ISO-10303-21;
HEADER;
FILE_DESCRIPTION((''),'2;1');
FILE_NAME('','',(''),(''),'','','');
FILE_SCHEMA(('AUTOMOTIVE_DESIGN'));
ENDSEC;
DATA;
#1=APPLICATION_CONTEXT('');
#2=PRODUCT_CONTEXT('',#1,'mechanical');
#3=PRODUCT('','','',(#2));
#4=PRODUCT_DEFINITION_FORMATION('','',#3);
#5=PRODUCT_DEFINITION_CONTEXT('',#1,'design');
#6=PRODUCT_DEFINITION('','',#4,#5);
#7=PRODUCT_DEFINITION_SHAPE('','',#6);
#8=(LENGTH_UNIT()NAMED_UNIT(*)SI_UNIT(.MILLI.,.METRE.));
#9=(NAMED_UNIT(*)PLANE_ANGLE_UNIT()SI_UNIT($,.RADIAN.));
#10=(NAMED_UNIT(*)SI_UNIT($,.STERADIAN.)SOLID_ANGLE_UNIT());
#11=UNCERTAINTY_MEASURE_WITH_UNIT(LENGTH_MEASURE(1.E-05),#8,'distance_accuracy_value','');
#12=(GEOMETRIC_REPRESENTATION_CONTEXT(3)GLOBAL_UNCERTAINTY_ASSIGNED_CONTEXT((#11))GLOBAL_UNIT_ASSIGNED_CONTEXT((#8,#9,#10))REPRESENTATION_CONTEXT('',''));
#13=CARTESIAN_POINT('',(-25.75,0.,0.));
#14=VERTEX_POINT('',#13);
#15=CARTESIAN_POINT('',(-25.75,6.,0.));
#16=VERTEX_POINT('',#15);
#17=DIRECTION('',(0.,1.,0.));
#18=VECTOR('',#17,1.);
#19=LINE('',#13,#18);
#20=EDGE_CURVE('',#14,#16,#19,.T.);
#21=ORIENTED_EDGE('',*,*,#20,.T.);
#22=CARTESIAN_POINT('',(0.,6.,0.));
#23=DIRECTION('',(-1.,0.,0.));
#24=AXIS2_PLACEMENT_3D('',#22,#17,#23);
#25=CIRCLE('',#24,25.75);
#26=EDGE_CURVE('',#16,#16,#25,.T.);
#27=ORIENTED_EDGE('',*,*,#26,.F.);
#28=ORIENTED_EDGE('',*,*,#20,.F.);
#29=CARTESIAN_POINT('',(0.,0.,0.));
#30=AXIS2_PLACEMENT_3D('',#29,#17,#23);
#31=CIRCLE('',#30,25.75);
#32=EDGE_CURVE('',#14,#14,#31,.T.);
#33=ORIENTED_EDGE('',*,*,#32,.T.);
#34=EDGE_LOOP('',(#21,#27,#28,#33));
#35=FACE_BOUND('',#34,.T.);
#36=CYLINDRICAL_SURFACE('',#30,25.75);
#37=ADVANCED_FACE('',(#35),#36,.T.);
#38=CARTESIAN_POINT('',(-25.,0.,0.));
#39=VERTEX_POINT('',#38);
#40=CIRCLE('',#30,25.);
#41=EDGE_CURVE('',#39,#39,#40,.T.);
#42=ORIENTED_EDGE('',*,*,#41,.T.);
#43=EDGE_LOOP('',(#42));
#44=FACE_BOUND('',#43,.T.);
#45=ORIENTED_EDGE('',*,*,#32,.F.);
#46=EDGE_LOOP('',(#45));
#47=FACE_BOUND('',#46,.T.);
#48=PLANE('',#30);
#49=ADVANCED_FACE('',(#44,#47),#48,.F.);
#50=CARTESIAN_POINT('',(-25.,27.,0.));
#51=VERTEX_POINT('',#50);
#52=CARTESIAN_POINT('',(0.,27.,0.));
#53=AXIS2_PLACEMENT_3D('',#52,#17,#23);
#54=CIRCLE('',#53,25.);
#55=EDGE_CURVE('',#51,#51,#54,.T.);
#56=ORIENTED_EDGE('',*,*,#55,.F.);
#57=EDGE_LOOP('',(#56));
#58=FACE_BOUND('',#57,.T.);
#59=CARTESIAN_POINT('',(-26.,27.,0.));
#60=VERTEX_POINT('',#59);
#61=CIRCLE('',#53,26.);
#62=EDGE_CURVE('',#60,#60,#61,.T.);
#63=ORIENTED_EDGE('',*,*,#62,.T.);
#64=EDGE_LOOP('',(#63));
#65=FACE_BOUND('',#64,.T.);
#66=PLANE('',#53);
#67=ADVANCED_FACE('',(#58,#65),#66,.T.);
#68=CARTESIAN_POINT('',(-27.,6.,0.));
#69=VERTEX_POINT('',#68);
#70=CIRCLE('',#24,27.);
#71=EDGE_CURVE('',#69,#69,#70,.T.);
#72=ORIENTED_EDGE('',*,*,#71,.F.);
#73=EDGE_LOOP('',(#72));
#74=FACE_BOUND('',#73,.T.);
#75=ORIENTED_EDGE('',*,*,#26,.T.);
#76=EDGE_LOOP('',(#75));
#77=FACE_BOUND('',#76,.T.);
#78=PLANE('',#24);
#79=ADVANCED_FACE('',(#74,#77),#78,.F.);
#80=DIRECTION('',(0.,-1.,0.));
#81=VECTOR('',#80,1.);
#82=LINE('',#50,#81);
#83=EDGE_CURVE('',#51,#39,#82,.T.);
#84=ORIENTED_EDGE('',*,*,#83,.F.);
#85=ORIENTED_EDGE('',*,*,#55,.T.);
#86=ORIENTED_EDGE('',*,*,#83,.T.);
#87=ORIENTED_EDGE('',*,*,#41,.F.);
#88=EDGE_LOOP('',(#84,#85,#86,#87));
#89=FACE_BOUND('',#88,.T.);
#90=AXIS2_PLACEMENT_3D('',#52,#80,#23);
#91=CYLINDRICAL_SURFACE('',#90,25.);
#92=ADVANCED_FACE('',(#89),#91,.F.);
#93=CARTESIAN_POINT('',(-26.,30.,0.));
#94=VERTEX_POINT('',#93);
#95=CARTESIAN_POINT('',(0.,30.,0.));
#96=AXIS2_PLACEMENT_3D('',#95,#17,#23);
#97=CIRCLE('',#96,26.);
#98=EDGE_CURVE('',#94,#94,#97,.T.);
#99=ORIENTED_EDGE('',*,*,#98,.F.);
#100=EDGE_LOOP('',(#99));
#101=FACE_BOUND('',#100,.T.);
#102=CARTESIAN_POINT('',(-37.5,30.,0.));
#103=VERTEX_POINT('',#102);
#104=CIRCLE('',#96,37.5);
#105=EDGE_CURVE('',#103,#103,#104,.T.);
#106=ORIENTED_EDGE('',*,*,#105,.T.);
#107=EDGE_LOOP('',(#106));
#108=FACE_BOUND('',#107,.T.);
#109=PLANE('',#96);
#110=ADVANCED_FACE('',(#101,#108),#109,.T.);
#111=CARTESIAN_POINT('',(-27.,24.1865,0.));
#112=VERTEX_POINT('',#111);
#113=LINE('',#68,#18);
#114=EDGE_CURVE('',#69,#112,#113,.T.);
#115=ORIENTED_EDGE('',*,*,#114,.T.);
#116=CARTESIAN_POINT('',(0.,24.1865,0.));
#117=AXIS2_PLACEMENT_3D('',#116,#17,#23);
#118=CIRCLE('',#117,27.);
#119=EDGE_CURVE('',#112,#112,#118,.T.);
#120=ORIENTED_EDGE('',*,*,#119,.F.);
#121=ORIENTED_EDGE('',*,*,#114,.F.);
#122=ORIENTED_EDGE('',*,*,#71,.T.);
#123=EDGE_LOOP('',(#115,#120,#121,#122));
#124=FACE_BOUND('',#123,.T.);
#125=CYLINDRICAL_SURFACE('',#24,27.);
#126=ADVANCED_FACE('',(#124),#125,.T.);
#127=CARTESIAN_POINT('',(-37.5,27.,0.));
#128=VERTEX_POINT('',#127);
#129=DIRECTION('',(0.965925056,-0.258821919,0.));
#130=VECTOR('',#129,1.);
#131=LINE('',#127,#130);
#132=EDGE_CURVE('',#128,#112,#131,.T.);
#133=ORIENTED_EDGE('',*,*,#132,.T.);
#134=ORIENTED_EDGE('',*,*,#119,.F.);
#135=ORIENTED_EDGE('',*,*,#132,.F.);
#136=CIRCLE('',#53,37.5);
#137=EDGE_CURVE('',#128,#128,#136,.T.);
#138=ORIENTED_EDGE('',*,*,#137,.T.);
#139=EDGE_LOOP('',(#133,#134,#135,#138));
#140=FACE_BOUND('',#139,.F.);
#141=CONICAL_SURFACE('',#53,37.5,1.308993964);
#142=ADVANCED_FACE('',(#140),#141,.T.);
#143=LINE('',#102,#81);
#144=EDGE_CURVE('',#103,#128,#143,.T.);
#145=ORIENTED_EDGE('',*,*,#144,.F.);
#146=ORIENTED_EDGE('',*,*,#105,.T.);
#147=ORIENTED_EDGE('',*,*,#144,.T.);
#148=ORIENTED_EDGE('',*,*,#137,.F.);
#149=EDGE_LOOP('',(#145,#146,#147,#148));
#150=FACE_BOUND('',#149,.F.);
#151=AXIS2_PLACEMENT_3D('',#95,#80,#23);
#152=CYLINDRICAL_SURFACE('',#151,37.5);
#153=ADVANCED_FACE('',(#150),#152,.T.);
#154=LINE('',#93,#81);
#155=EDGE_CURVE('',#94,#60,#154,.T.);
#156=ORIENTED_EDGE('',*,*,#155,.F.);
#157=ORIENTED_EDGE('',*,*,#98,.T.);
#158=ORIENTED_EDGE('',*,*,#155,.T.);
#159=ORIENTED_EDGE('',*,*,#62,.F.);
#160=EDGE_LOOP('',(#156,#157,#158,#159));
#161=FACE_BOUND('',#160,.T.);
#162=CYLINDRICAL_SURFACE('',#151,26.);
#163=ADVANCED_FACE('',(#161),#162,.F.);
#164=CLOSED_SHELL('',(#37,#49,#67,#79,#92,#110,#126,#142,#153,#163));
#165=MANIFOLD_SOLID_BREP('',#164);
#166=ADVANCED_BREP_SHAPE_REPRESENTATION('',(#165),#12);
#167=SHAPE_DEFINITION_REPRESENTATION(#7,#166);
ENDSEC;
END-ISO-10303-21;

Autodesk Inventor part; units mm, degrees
ref_plane "YZ Plane" through (0, 0, 0) normal (1, 0, 0) x (0, 1, 0)
ref_plane "XZ Plane" through (0, 0, 0) normal (0, 1, 0) x (-1, 0, 0)
ref_plane "XY Plane" through (0, 0, 0) normal (0, 0, 1) x (1, 0, 0)
sketch "Sketch1" plane through (0, 0, 0) normal (0, 0, 1) x (1, 0, 0)
  line L0 (-25, 27) -> (-25, 0)
  line L1 (-25, 0) -> (-25.75, 0)
  line L2 (-25.75, 0) -> (-25.75, 6)
  line L3 (-25.75, 6) -> (-27, 6)
  line L4 (-27, 6) -> (-27, 24.1865)
  line L5 (-37.5, 30) -> (-26, 30)
  line L6 (-26, 30) -> (-26, 27)
  line L7 (-26, 27) -> (-25, 27)
  line L8 (0, -6) -> (0, 36) projected
  line L9 (-37.5, 30) -> (-37.5, 27)
  line L10 (-37.5, 27) -> (-27, 24.1865)
  point P0 (0, 0)
  dimension "d0" = 25.75
  dimension "neck_ir" = 25
  dimension "d5" = 6
  dimension "d15" = 27
  dimension "d16" = 3
  dimension "d17" = 37.5
  dimension "d18" = 26
  dimension "d19" = 15
  dimension "d20" = 3
  dimension "d21" = 30
revolve "Revolution1" add sketch "Sketch1" angle 360 about axis through (0, -10, 0) along (0, 1, 0)
equation "\"oring_diameter\" = 4"
properties part number "neckForStorage" material "Brass"
